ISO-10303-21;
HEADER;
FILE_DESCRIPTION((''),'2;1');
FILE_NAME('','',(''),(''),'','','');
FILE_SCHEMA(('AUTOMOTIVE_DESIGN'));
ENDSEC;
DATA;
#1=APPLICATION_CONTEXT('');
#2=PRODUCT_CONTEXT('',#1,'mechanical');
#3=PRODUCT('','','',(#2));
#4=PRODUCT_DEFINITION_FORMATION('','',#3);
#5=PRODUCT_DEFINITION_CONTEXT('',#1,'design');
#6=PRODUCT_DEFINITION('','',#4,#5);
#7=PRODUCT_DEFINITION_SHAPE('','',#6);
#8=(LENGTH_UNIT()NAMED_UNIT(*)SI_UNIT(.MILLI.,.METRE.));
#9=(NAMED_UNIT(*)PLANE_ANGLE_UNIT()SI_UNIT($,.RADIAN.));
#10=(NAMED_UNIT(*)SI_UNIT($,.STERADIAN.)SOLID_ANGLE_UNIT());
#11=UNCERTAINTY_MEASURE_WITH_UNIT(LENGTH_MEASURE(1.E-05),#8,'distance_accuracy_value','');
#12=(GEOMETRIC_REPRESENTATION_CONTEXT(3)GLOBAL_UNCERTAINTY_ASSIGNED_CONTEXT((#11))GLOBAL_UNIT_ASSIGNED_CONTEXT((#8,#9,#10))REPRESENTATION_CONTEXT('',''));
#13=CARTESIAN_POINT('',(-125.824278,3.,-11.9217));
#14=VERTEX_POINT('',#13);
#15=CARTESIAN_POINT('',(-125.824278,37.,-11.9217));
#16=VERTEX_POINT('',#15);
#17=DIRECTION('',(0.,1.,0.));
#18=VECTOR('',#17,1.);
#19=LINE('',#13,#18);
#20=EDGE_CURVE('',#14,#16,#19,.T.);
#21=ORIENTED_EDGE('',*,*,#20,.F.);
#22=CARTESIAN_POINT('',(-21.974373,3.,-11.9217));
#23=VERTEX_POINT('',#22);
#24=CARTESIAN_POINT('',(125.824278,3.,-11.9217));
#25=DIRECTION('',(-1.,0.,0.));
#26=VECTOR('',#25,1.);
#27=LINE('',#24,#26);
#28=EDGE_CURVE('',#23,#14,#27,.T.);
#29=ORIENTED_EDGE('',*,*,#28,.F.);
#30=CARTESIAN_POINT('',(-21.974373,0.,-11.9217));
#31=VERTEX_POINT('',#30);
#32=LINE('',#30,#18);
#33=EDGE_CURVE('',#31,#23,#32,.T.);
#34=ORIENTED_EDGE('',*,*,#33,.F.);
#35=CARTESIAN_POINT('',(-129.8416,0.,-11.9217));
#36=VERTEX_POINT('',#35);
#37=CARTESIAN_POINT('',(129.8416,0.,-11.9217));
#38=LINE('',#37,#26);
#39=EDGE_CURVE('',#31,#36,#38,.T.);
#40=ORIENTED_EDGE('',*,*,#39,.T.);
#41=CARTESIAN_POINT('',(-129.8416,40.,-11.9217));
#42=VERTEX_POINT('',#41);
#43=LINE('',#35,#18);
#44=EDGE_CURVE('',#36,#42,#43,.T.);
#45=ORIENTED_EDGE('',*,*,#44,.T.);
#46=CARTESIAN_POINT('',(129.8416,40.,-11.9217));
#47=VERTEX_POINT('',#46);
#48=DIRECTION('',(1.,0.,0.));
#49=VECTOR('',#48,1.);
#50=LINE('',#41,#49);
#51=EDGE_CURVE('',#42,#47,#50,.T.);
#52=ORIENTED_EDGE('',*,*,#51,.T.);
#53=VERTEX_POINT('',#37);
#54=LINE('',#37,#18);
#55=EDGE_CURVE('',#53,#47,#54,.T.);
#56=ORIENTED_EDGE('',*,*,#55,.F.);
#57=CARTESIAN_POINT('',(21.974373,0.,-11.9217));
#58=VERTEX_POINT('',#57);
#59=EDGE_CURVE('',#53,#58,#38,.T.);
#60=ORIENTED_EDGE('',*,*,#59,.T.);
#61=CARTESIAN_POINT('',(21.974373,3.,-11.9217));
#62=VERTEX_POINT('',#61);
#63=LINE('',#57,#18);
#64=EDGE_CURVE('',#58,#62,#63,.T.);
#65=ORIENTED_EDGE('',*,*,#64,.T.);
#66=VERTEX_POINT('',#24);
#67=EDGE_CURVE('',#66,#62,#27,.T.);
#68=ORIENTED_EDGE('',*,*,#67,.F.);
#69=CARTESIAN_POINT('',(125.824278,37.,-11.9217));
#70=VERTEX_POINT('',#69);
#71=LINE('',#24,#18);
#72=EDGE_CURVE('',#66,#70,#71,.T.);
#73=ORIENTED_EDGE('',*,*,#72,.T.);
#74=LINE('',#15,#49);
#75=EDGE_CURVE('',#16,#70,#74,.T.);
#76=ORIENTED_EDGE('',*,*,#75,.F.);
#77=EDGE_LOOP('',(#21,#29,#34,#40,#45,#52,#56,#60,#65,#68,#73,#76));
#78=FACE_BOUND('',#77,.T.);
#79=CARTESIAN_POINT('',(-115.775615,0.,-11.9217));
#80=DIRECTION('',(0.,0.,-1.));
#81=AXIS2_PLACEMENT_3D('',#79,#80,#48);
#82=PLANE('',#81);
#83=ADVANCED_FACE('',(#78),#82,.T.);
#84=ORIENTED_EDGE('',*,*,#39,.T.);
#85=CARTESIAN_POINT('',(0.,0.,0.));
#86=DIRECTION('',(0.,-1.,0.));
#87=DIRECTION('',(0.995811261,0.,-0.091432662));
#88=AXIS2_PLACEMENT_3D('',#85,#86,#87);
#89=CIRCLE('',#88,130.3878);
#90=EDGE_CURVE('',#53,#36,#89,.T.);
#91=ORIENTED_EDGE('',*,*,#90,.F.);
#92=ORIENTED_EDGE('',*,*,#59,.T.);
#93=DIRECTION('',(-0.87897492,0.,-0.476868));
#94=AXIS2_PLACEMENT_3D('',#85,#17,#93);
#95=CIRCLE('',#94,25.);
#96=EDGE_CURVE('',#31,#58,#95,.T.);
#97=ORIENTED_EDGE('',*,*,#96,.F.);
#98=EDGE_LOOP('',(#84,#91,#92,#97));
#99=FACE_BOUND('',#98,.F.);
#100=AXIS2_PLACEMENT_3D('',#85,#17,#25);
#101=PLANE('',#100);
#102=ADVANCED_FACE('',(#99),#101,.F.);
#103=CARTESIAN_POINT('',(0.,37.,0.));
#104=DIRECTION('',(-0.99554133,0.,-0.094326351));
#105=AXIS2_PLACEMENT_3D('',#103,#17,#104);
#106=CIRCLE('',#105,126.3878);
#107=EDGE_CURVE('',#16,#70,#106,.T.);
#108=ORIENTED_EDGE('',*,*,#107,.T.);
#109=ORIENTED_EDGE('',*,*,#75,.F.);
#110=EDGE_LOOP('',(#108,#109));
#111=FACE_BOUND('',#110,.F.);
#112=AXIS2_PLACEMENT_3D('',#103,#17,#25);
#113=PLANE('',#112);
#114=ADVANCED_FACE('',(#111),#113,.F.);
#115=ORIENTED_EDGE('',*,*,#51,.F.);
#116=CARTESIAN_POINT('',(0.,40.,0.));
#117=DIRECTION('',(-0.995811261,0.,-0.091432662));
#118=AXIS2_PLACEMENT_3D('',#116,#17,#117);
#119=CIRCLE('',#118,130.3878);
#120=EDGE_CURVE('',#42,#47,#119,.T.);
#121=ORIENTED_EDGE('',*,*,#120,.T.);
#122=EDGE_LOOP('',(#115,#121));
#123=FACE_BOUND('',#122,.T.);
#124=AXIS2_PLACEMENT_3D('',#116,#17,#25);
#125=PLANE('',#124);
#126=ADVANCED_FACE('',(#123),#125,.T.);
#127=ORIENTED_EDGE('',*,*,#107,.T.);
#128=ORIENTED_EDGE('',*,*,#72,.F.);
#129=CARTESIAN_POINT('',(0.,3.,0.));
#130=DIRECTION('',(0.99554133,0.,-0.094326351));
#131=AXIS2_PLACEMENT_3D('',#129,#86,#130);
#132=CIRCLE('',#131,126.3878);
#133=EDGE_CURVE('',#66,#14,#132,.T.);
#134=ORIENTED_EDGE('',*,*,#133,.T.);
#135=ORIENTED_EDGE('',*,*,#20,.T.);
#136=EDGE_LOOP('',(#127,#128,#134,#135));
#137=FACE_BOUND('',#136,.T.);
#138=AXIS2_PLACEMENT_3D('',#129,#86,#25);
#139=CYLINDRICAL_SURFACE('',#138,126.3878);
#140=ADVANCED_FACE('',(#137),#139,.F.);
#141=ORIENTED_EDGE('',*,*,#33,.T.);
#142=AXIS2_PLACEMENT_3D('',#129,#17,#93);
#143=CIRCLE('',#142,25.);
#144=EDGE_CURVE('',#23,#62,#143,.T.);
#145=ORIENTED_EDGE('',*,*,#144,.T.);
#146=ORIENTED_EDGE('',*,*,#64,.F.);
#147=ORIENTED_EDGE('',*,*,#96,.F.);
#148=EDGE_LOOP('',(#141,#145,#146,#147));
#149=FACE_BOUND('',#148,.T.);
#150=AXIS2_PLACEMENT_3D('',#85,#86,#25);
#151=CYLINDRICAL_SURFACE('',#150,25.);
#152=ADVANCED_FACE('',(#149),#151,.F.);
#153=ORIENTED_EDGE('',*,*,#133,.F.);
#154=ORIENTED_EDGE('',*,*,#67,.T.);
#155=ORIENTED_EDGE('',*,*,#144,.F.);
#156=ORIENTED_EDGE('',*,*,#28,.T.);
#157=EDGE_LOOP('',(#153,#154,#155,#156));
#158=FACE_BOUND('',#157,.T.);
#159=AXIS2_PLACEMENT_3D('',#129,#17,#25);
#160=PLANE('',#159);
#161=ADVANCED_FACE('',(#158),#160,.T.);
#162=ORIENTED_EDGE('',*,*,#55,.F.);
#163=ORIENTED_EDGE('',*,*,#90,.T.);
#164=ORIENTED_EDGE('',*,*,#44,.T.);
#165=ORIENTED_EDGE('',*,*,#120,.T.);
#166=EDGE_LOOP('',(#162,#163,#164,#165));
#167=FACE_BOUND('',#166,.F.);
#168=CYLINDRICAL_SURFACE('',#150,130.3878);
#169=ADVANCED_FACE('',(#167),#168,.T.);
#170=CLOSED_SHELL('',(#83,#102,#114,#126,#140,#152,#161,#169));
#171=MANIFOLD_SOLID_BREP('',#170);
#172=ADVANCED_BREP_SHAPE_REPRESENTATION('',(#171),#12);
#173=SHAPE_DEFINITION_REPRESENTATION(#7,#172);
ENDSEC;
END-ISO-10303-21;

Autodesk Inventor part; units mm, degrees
ref_plane "YZ Plane" through (0, 0, 0) normal (1, 0, 0) x (0, 1, 0)
ref_plane "XZ Plane" through (0, 0, 0) normal (0, 1, 0) x (-1, 0, 0)
ref_plane "XY Plane" through (0, 0, 0) normal (0, 0, 1) x (1, 0, 0)
sketch "Sketch1" plane through (0, 0, 0) normal (0, 1, 0) x (-1, 0, 0)
  circle A0 centre (0, 0) radius 116.3878
  circle A1 centre (0, 0) radius 126.3878
  line L0 (129.8416, -11.9217) -> (-129.8416, -11.9217)
  line L1 (125.8243, -171.9217) -> (-125.8243, -171.9217)
  circle A2 centre (0, 0) radius 130.3878
  circle A3 centre (0, 0) radius 25
  point P0 (-115.7756, -11.9217)
  point P1 (115.7756, -11.9217)
  point P2 (-125.8243, -11.9217)
  point P3 (125.8243, -11.9217)
  point P4 (-21.9744, -11.9217)
  point P5 (21.9744, -11.9217)
  dimension "d1" = 232.7756
  dimension "d2" = 10
  dimension "d6" = 160
  dimension "d7" = 171.9217
  dimension "d11" = 4
  dimension "d13" = 50
extrude "Extrusion1" add sketch "Sketch1" along normal blind 40 contours A0 L0 A3 | A0 L0 A1 | A3 L0 | L0 A2 A1 picked at (-80.805, 28.5699) picked at (-122.0572, 13.8082) picked at (7.5455, -2.0688) picked at (1.8738, 127.5443)
ref_plane "Work Plane2" through (0, 37, 0) normal (0, 1, 0) x (1, 0, 0)
ref_plane "Work Plane3" through (0, 3, 0) normal (0, -1, 0) x (1, 0, 0)
extrude "Extrusion2" cut sketch "Sketch1" along normal up to surface (34 mm away) from surface at 3 contours A0 L0 A3 | A0 L0 A1 | A3 L0 picked at (-80.805, 28.5699) picked at (-122.0572, 13.8082) picked at (7.5455, -2.0688)
extrude "Extrusion3" cut sketch "Sketch1" along normal up to surface (3 mm away) contours A3 L0 picked at (7.5455, -2.0688)
equation "\"d1\" = ballInletWheel_diameter"
equation "\"d2\" = ballInletWheel_margin"
equation "\"d6\" = profile_height"
equation "\"d7\" = ballInletWheel_offsetTop"
equation "\"d3\" = profile_width"
equation "\"d14\" = profile_width"
equation "\"d8\" = -profileTallWall_thickness"
equation "\"d12\" = -profileTallWall_thickness"
equation "\"ballInletWheel_diameter\" = 232.775591"
equation "\"ballInletWheel_margin\" = 10"
equation "\"profile_height\" = 160"
equation "\"profile_width\" = 40"
equation "\"profileTallWall_thickness\" = 3"
equation "\"ballInletWheel_offsetTop\" = 171.921659"
properties part number "ballInletCover"
